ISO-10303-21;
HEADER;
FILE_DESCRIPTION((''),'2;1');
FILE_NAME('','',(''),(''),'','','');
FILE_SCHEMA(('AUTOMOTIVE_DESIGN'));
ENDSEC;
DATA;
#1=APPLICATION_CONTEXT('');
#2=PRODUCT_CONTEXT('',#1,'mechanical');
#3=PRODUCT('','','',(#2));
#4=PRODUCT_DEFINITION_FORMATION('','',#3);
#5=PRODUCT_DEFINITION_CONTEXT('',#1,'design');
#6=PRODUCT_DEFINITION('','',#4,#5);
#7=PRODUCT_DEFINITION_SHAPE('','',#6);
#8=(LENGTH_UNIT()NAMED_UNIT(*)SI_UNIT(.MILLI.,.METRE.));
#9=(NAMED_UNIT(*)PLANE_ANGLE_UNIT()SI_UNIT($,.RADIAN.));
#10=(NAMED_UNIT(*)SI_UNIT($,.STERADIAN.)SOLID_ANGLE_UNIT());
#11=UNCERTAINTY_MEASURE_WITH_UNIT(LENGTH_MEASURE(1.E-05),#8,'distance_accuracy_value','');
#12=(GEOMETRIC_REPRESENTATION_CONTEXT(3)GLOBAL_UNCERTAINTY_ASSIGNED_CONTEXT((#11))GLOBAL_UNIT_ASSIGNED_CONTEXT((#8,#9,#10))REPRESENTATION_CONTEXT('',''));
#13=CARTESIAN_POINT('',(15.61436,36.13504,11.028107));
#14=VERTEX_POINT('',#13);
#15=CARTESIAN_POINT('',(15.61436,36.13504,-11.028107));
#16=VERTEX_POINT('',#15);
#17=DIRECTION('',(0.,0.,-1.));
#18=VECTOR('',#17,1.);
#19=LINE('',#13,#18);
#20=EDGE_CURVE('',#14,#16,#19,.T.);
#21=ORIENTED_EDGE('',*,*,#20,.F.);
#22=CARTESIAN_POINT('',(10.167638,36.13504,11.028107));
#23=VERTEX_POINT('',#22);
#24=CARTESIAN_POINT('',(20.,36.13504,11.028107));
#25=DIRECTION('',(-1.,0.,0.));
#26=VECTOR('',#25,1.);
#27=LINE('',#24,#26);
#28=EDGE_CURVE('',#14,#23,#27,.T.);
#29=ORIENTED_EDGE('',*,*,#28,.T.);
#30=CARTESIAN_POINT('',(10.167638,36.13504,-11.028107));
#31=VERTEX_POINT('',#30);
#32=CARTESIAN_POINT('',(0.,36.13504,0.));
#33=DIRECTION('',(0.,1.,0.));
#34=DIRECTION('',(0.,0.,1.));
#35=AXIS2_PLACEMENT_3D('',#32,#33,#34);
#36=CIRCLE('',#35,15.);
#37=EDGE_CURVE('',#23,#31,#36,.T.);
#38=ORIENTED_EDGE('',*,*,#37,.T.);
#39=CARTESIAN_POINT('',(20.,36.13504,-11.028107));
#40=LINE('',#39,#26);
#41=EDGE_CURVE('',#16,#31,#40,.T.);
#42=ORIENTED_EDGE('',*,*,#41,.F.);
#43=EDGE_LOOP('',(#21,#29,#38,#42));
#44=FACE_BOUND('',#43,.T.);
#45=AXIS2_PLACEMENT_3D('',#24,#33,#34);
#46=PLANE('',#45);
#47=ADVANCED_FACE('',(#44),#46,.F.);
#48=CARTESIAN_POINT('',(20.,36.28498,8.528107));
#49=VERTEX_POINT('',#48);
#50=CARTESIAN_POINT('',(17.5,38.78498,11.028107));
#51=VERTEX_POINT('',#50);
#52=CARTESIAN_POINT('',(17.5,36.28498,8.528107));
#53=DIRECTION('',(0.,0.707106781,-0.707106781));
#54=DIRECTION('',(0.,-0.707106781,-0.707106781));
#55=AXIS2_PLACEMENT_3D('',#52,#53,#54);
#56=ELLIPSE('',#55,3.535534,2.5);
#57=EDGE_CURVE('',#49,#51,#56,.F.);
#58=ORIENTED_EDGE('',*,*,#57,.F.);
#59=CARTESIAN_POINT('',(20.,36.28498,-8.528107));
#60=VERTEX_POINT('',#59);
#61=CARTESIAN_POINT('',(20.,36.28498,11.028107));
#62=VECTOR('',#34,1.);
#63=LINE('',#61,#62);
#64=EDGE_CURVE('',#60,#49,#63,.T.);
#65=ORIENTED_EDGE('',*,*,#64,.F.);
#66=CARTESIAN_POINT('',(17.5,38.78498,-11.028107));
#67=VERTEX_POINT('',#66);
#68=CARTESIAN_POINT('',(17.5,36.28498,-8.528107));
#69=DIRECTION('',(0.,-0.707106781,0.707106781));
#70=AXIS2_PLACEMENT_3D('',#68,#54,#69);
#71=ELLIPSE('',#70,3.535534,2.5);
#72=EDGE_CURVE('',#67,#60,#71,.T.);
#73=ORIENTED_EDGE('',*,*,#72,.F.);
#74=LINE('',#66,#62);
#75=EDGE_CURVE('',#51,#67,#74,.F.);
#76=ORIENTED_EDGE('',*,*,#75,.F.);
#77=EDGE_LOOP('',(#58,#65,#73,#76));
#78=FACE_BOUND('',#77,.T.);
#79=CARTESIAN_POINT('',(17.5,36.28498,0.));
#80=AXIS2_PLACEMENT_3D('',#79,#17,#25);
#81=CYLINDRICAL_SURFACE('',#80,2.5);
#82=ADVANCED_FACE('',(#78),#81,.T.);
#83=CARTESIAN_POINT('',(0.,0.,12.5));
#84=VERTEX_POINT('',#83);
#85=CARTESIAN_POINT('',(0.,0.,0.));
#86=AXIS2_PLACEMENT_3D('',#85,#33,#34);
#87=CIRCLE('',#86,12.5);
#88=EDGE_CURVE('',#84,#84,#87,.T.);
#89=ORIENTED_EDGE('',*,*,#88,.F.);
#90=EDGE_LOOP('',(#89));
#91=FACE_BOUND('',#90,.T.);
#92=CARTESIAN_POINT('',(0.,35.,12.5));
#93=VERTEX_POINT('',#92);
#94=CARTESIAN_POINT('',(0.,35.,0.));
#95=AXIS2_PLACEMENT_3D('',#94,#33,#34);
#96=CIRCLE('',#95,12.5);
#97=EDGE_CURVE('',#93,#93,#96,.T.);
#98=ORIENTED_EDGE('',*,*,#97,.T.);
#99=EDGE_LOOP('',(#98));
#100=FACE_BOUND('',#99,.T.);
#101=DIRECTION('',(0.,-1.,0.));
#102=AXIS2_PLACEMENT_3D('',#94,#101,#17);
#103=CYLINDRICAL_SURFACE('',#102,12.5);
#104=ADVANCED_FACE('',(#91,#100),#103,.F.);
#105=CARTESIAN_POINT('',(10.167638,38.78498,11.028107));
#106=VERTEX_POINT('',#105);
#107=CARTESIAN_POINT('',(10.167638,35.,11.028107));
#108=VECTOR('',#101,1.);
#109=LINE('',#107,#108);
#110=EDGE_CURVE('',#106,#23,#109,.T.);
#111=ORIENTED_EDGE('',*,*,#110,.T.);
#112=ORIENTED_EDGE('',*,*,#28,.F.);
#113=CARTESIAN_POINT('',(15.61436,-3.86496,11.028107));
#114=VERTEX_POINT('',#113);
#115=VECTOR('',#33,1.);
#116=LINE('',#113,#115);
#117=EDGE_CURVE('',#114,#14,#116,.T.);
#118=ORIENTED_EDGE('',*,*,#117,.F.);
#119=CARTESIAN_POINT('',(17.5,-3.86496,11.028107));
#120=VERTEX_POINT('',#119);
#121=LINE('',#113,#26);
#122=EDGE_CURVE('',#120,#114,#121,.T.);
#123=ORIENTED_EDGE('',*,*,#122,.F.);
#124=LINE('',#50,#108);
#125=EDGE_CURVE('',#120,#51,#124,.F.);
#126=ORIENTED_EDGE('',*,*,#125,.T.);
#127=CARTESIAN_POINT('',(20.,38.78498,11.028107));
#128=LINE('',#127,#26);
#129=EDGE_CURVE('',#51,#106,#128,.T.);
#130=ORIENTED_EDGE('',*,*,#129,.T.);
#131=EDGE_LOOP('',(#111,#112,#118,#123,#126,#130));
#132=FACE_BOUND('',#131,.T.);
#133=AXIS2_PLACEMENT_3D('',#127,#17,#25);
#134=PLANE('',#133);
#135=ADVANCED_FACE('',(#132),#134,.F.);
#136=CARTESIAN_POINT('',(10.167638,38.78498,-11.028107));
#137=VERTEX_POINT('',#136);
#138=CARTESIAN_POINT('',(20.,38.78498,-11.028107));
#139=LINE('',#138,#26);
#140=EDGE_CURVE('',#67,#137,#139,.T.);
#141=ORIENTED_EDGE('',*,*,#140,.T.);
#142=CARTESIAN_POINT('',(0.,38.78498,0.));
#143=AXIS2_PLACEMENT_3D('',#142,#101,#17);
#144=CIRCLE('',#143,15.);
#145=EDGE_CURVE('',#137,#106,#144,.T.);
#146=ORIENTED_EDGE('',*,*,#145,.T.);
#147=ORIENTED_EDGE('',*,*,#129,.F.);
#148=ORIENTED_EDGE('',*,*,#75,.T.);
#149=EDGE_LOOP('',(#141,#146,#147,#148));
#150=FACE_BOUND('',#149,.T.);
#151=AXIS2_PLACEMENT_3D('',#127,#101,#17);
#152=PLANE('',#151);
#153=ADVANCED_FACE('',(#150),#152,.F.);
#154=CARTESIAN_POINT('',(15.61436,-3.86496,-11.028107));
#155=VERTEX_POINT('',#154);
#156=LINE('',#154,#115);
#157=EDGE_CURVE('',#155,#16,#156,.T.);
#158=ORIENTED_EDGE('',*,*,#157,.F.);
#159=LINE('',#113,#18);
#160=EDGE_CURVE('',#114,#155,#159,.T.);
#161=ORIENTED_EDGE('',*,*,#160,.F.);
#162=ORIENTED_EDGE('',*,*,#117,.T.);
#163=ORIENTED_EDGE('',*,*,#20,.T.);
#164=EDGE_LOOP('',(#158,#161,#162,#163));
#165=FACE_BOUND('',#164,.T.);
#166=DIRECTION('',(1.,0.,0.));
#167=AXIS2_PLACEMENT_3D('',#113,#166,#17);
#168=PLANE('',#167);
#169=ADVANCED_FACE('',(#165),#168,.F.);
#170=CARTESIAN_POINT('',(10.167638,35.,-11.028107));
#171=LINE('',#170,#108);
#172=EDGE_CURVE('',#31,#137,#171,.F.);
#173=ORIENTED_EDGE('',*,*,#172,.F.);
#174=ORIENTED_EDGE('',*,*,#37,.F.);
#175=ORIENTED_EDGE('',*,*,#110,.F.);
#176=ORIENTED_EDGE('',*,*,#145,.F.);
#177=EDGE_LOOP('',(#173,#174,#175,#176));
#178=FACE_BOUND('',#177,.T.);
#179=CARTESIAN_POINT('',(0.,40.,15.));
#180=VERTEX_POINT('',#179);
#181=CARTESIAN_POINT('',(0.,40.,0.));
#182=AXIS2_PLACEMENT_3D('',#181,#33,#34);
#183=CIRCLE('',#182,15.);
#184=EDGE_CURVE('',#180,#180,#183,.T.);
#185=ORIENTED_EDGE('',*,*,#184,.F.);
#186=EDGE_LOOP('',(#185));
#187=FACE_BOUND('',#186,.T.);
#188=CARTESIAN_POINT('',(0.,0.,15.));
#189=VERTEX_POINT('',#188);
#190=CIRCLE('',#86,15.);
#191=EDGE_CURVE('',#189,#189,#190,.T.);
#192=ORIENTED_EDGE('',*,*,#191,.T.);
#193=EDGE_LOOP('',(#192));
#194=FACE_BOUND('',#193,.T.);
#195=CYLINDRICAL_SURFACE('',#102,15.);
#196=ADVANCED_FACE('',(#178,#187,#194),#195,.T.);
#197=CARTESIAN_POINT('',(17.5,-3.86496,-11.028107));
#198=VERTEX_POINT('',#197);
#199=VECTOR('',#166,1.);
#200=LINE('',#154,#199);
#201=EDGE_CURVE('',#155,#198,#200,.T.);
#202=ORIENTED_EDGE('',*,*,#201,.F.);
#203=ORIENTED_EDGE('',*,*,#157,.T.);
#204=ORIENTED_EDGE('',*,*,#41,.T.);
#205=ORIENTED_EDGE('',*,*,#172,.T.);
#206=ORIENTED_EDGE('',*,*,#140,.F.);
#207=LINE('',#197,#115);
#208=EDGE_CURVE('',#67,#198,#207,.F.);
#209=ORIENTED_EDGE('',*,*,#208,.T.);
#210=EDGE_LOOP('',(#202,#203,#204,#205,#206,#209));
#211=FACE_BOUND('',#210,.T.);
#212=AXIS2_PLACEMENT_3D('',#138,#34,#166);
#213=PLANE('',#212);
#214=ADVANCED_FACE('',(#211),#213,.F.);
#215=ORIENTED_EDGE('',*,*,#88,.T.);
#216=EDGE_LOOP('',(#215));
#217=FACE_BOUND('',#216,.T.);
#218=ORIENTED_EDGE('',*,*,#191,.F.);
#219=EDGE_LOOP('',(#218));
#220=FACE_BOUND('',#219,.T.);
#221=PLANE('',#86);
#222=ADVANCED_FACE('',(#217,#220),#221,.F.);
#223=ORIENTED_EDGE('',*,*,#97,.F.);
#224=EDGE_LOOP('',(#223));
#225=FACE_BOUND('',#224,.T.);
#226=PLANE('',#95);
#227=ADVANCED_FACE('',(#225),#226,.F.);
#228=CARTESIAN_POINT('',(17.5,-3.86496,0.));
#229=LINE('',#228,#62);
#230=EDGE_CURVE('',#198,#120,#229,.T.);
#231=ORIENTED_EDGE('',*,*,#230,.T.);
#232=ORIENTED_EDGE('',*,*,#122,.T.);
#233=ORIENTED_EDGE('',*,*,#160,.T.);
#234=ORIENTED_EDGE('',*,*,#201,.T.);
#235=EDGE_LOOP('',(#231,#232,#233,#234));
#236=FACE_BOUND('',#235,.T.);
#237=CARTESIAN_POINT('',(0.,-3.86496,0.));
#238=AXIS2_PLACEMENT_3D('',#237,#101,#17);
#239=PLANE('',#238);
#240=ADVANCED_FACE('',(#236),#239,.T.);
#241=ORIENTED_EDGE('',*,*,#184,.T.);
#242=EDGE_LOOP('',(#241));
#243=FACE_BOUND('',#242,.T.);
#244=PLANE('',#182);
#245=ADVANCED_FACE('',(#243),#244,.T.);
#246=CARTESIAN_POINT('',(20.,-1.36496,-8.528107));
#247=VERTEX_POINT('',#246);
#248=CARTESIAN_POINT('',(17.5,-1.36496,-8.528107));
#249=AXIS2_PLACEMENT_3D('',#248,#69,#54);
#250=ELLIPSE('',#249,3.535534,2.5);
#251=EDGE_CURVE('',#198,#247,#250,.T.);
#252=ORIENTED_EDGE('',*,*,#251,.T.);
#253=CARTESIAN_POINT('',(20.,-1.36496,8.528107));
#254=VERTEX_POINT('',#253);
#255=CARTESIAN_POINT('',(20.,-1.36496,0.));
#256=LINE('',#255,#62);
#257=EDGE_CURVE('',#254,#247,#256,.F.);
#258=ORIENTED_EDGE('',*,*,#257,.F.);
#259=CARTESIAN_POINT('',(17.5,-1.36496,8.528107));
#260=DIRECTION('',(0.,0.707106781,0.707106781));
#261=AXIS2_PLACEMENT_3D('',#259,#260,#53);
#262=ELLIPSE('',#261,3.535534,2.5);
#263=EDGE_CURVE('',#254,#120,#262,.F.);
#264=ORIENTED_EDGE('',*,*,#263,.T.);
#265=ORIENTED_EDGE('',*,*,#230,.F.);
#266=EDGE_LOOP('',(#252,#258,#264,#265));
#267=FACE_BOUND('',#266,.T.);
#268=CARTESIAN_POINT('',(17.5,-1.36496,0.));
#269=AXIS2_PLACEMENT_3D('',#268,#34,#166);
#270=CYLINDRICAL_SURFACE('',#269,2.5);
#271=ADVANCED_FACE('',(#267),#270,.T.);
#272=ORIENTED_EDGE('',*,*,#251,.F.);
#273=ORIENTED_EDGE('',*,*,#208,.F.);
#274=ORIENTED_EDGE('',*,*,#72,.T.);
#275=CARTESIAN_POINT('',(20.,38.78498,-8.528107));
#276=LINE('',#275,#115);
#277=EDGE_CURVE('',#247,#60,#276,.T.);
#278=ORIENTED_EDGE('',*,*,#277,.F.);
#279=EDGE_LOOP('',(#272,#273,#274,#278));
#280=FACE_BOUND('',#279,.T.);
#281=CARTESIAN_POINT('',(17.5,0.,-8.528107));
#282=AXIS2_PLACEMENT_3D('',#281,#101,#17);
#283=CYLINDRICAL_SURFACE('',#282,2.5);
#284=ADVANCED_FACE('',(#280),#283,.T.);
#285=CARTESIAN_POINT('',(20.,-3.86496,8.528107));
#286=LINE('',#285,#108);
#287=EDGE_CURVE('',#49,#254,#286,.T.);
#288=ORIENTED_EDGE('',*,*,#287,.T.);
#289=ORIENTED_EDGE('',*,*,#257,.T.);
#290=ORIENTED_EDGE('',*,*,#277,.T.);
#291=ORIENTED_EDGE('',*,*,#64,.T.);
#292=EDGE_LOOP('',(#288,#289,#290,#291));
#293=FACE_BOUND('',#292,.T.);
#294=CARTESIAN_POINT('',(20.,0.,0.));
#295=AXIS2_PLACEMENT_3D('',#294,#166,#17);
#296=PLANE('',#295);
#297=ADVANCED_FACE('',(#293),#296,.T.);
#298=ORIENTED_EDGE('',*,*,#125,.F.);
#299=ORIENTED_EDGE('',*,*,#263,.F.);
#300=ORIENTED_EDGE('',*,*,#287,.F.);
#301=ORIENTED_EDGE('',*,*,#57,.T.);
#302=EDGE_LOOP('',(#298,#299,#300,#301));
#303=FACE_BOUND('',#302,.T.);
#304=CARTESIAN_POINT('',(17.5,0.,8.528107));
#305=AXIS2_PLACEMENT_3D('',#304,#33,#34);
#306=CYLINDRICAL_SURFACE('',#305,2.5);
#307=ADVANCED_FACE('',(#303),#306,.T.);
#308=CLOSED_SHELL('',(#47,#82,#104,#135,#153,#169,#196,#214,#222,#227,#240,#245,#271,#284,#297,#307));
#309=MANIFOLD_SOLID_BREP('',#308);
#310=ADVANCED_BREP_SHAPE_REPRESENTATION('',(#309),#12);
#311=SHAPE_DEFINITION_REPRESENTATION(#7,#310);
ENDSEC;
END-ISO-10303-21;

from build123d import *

# Parameters (mm, degrees)
SKETCH2_R           = 15
SKETCH2_R_2         = 12.5
BOSS_EXTRUDE1_DEPTH = 35
SKETCH3_R           = 15
BOSS_EXTRUDE2_DEPTH = 5
SKETCH4_W           = 22.056214186
SKETCH4_H           = 2.649940184
BOSS_EXTRUDE3_DEPTH = 10
SKETCH5_W           = 4.385639536
SKETCH5_H           = 22.056214186
BOSS_EXTRUDE4_DEPTH = 40
FILLET1_R           = 2.5


with BuildPart() as part:
    # Sketch2 → Boss-Extrude1 (new body)
    with BuildSketch(Plane(origin=(0, 0, 0), x_dir=(1, 0, 0), z_dir=(0, 1, 0))):
        with Locations(Location((0, 0, 0), (0, 0, 270))):
            Circle(SKETCH2_R)
        with Locations(Location((0, 0, 0), (0, 0, 270))):
            Circle(SKETCH2_R_2, mode=Mode.SUBTRACT)
    extrude(amount=BOSS_EXTRUDE1_DEPTH)

    # Sketch3 → Boss-Extrude2 (add)
    with BuildSketch(Plane(origin=(0, 35, 0), x_dir=(1, 0, 0), z_dir=(0, 1, 0))):
        with Locations(Location((0, 0, 0), (0, 0, 270))):
            Circle(SKETCH3_R)
    extrude(amount=BOSS_EXTRUDE2_DEPTH)

    # Sketch4 → Boss-Extrude3 (add)
    with BuildSketch(Plane(origin=(10, 0, 0), x_dir=(0, 0, -1), z_dir=(1, 0, 0))):
        with Locations((0, 37.460010141)):
            Rectangle(SKETCH4_W, SKETCH4_H)
    extrude(amount=BOSS_EXTRUDE3_DEPTH)

    # Sketch5 → Boss-Extrude4 (add)
    with BuildSketch(Plane.XZ.offset(-36.135040049)):
        with Locations((17.807180232, 0)):
            Rectangle(SKETCH5_W, SKETCH5_H)
    extrude(amount=BOSS_EXTRUDE4_DEPTH)

    # Fillet1
    fillet1_edges = [part.edges().sort_by_distance(p)[0] for p in [
        (20, 17.460010141, -11.028107093),
        (20, 38.784980233, 0),
        (20, 17.460010141, 11.028107093),
        (20, -3.864959951, 0),
    ]]
    fillet(fillet1_edges, radius=FILLET1_R)


solid = part.part
